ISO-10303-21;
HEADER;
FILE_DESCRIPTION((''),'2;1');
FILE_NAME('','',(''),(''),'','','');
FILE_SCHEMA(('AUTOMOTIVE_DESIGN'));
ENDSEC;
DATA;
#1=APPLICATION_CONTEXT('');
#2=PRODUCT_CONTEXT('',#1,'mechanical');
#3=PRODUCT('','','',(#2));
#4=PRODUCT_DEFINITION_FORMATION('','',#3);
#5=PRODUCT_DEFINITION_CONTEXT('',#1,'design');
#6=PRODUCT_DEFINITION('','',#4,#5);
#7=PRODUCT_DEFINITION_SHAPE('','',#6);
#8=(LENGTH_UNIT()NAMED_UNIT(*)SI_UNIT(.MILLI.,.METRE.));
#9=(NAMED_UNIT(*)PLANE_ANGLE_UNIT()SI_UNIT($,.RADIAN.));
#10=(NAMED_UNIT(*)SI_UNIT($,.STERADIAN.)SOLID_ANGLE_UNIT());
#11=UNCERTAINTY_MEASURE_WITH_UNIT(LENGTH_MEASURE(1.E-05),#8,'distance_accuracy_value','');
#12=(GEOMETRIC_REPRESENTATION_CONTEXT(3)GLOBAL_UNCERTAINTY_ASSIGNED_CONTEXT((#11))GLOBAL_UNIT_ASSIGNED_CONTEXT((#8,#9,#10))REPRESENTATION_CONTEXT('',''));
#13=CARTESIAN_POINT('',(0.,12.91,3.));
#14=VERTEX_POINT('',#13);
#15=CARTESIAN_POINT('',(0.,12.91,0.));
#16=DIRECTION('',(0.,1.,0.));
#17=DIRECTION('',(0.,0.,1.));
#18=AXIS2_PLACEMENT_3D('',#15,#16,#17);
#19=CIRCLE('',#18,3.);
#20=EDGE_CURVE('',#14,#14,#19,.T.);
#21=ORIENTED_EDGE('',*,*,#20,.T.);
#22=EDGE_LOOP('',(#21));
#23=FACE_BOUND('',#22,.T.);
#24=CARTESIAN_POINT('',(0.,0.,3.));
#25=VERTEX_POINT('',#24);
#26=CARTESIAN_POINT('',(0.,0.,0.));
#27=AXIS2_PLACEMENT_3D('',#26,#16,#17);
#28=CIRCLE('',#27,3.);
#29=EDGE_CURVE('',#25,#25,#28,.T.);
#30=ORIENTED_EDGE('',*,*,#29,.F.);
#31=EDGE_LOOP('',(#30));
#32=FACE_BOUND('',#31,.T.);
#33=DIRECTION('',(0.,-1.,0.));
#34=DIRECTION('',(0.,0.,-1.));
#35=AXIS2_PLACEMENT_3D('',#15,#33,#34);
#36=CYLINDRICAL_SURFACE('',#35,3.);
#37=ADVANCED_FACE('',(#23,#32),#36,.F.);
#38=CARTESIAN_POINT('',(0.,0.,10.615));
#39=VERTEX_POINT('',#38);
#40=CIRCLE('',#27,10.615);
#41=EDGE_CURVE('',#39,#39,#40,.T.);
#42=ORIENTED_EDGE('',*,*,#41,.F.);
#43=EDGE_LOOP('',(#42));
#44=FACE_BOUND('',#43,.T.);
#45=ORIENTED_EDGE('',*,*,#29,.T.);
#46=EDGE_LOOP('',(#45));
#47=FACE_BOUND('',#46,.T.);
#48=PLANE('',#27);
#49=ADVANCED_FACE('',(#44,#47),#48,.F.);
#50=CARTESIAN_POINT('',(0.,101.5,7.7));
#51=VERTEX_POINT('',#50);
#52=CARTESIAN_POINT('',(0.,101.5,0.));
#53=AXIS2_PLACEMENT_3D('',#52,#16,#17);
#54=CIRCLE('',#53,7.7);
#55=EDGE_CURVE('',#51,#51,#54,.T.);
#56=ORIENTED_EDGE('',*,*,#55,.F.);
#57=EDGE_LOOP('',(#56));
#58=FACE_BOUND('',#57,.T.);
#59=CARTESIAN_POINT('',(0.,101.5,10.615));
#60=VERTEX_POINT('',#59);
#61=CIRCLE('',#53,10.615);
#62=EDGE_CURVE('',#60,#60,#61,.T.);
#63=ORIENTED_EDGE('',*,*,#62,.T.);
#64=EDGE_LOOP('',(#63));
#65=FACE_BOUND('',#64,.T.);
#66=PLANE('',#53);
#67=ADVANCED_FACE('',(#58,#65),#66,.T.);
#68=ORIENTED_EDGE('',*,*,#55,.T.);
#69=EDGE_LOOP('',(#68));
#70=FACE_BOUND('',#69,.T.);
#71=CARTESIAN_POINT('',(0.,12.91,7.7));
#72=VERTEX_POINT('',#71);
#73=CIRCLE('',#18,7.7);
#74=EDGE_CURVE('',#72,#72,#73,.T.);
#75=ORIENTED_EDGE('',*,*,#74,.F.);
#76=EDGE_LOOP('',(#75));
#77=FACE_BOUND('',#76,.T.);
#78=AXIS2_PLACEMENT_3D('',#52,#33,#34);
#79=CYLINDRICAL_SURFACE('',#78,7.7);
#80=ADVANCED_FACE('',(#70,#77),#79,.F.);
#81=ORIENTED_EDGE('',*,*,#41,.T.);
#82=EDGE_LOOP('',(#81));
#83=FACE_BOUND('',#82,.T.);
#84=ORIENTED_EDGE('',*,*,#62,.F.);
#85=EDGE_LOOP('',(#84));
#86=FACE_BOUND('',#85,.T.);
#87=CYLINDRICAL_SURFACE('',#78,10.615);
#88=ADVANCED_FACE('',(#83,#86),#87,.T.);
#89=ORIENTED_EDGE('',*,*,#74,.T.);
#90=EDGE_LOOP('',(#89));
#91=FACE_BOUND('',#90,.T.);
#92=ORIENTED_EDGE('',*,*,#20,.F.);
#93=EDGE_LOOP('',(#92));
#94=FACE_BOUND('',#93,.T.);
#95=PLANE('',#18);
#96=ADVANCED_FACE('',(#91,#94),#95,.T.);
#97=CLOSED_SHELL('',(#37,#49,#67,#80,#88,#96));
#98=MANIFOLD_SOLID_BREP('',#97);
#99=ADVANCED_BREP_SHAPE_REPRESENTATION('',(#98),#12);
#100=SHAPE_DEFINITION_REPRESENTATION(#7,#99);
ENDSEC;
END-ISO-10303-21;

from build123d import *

# Parameters (mm, degrees)
SKETCH1_R           = 10.615
SKETCH1_R_2         = 7.7
BOSS_EXTRUDE1_DEPTH = 101.5
SKETCH2_R           = 7.7
SKETCH2_R_2         = 3
BOSS_EXTRUDE2_DEPTH = 12.91


with BuildPart() as part:
    # Sketch1 → Boss-Extrude1 (new body)
    with BuildSketch(Plane(origin=(0, 0, 0), x_dir=(1, 0, 0), z_dir=(0, 1, 0))):
        Circle(SKETCH1_R)
        Circle(SKETCH1_R_2, mode=Mode.SUBTRACT)
    extrude(amount=BOSS_EXTRUDE1_DEPTH)

    # Sketch2 → Boss-Extrude2 (add)
    with BuildSketch(Plane(origin=(0, 0, 0), x_dir=(1, 0, 0), z_dir=(0, 1, 0))):
        Circle(SKETCH2_R)
        Circle(SKETCH2_R_2, mode=Mode.SUBTRACT)
    extrude(amount=BOSS_EXTRUDE2_DEPTH)


solid = part.part
